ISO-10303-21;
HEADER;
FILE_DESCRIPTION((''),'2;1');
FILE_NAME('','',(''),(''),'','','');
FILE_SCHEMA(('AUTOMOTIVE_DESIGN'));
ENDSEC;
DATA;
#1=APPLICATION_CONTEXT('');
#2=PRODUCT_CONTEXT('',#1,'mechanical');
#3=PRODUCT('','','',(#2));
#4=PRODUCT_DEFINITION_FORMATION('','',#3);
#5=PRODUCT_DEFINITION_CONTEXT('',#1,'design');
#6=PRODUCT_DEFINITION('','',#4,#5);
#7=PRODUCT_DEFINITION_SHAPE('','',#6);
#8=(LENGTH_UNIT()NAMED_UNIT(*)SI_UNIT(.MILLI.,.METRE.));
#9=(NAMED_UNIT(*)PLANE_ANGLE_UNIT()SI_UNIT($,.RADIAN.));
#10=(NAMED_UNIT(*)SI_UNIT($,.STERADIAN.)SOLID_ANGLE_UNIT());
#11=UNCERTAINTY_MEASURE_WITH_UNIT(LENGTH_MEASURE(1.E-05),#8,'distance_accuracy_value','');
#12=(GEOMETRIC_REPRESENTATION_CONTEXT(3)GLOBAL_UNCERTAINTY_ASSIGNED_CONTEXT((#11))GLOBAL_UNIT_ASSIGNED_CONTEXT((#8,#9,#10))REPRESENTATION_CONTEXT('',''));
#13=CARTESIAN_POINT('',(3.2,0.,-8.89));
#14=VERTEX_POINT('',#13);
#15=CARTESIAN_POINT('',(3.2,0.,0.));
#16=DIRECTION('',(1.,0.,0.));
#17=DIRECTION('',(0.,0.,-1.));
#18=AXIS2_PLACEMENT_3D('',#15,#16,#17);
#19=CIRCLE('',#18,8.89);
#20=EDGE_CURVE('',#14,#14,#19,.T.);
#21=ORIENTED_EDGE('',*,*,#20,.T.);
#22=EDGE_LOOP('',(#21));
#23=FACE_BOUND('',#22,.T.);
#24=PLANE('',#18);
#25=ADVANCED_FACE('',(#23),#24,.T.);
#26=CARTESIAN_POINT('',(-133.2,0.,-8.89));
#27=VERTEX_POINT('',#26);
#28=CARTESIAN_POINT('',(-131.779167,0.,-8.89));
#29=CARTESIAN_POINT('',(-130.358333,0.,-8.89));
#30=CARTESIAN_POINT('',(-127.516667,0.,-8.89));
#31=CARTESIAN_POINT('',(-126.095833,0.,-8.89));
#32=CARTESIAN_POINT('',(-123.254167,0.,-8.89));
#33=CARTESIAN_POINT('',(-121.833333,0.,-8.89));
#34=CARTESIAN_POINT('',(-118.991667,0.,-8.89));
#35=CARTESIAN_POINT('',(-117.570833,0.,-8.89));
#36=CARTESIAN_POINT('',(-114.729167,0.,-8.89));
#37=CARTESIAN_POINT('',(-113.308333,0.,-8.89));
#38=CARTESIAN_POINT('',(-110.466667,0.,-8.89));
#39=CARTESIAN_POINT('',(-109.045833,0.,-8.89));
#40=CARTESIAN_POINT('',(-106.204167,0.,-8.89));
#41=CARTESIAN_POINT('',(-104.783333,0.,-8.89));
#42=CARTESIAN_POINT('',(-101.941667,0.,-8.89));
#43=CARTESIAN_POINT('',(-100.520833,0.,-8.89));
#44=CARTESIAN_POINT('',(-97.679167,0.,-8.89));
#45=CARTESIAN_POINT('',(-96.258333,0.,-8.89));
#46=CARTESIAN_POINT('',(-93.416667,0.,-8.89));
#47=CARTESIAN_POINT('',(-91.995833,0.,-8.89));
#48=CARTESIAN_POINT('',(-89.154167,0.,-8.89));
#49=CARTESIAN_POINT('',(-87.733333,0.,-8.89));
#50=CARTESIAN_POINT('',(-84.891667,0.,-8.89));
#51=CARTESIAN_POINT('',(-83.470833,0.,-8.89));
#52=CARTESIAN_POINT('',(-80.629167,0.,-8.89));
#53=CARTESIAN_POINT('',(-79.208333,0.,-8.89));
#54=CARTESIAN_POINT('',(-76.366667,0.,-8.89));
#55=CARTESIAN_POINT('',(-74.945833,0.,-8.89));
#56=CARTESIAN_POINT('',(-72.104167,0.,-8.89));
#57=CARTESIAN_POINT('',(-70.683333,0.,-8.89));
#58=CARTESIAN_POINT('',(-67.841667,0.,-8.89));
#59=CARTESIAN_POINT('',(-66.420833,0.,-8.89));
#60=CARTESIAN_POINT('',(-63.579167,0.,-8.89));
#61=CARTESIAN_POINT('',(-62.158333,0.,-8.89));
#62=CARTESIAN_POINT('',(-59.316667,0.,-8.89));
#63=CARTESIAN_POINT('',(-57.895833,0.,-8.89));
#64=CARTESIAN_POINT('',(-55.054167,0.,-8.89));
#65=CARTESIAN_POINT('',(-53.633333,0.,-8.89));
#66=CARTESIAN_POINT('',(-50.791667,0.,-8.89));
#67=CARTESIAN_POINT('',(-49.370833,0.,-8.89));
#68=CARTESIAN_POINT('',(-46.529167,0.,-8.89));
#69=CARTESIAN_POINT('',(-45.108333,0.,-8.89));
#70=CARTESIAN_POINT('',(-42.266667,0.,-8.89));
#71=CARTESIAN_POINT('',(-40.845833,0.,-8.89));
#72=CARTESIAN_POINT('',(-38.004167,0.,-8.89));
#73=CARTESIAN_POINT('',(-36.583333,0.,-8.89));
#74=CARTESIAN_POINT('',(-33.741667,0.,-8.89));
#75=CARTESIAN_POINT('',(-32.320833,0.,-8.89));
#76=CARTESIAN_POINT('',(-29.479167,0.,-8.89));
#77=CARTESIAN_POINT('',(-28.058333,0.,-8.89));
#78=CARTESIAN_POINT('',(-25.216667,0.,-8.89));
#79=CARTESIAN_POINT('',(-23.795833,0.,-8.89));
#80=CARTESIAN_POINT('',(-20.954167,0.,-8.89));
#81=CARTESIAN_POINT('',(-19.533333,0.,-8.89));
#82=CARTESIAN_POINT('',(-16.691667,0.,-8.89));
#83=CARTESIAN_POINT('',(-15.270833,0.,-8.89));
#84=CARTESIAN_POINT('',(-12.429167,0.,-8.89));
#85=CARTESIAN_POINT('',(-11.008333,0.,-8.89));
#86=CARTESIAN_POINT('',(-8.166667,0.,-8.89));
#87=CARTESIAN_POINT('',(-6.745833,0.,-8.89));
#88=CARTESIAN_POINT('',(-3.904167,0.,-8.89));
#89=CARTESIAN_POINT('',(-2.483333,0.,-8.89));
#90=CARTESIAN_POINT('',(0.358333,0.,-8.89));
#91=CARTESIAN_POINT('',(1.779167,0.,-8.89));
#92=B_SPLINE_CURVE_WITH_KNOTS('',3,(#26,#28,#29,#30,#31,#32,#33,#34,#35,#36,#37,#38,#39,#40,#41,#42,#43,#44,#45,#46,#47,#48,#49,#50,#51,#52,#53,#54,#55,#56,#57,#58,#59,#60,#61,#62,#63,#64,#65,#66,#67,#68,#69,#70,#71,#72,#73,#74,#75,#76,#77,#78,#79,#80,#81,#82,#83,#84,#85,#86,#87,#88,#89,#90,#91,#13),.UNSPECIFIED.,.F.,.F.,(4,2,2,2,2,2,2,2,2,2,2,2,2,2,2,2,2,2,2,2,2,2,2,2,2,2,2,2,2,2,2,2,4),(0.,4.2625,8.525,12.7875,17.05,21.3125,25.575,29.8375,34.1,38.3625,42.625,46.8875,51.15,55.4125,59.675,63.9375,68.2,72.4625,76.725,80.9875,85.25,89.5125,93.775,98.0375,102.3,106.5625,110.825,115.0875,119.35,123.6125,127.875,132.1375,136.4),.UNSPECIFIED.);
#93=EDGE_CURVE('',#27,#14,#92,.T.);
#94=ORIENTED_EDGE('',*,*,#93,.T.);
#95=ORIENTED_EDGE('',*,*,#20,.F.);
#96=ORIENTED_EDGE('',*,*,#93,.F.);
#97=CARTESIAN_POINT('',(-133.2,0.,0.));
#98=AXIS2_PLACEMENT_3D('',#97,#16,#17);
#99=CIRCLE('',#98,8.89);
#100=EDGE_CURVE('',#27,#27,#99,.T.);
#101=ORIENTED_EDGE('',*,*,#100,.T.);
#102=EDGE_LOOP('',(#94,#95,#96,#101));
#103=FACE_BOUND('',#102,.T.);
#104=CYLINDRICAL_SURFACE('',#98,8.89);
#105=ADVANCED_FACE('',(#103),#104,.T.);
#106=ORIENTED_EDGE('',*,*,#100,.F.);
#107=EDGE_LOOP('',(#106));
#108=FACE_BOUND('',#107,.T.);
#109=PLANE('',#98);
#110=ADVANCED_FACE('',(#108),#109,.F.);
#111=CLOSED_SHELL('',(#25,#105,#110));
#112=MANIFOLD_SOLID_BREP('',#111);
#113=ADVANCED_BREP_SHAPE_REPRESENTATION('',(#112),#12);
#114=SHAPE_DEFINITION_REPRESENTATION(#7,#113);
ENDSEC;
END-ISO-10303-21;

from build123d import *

# Parameters (mm, degrees)
BOSS_EXTRUDE1_DEPTH      = 3.2
BOSS_EXTRUDE1_DEPTH_BACK = 133.2
SKETCH1_R                = 8.89


with BuildPart() as part:
    # Sketch1 → Boss-Extrude1 (new, two sides: drawn at the far end of the back side and taken through both)
    with BuildSketch(Plane(origin=(0, 0, 0), x_dir=(0, 0, -1), z_dir=(1, 0, 0)).offset(-BOSS_EXTRUDE1_DEPTH_BACK)):
        Circle(SKETCH1_R)
    extrude(amount=BOSS_EXTRUDE1_DEPTH + BOSS_EXTRUDE1_DEPTH_BACK)


solid = part.part
